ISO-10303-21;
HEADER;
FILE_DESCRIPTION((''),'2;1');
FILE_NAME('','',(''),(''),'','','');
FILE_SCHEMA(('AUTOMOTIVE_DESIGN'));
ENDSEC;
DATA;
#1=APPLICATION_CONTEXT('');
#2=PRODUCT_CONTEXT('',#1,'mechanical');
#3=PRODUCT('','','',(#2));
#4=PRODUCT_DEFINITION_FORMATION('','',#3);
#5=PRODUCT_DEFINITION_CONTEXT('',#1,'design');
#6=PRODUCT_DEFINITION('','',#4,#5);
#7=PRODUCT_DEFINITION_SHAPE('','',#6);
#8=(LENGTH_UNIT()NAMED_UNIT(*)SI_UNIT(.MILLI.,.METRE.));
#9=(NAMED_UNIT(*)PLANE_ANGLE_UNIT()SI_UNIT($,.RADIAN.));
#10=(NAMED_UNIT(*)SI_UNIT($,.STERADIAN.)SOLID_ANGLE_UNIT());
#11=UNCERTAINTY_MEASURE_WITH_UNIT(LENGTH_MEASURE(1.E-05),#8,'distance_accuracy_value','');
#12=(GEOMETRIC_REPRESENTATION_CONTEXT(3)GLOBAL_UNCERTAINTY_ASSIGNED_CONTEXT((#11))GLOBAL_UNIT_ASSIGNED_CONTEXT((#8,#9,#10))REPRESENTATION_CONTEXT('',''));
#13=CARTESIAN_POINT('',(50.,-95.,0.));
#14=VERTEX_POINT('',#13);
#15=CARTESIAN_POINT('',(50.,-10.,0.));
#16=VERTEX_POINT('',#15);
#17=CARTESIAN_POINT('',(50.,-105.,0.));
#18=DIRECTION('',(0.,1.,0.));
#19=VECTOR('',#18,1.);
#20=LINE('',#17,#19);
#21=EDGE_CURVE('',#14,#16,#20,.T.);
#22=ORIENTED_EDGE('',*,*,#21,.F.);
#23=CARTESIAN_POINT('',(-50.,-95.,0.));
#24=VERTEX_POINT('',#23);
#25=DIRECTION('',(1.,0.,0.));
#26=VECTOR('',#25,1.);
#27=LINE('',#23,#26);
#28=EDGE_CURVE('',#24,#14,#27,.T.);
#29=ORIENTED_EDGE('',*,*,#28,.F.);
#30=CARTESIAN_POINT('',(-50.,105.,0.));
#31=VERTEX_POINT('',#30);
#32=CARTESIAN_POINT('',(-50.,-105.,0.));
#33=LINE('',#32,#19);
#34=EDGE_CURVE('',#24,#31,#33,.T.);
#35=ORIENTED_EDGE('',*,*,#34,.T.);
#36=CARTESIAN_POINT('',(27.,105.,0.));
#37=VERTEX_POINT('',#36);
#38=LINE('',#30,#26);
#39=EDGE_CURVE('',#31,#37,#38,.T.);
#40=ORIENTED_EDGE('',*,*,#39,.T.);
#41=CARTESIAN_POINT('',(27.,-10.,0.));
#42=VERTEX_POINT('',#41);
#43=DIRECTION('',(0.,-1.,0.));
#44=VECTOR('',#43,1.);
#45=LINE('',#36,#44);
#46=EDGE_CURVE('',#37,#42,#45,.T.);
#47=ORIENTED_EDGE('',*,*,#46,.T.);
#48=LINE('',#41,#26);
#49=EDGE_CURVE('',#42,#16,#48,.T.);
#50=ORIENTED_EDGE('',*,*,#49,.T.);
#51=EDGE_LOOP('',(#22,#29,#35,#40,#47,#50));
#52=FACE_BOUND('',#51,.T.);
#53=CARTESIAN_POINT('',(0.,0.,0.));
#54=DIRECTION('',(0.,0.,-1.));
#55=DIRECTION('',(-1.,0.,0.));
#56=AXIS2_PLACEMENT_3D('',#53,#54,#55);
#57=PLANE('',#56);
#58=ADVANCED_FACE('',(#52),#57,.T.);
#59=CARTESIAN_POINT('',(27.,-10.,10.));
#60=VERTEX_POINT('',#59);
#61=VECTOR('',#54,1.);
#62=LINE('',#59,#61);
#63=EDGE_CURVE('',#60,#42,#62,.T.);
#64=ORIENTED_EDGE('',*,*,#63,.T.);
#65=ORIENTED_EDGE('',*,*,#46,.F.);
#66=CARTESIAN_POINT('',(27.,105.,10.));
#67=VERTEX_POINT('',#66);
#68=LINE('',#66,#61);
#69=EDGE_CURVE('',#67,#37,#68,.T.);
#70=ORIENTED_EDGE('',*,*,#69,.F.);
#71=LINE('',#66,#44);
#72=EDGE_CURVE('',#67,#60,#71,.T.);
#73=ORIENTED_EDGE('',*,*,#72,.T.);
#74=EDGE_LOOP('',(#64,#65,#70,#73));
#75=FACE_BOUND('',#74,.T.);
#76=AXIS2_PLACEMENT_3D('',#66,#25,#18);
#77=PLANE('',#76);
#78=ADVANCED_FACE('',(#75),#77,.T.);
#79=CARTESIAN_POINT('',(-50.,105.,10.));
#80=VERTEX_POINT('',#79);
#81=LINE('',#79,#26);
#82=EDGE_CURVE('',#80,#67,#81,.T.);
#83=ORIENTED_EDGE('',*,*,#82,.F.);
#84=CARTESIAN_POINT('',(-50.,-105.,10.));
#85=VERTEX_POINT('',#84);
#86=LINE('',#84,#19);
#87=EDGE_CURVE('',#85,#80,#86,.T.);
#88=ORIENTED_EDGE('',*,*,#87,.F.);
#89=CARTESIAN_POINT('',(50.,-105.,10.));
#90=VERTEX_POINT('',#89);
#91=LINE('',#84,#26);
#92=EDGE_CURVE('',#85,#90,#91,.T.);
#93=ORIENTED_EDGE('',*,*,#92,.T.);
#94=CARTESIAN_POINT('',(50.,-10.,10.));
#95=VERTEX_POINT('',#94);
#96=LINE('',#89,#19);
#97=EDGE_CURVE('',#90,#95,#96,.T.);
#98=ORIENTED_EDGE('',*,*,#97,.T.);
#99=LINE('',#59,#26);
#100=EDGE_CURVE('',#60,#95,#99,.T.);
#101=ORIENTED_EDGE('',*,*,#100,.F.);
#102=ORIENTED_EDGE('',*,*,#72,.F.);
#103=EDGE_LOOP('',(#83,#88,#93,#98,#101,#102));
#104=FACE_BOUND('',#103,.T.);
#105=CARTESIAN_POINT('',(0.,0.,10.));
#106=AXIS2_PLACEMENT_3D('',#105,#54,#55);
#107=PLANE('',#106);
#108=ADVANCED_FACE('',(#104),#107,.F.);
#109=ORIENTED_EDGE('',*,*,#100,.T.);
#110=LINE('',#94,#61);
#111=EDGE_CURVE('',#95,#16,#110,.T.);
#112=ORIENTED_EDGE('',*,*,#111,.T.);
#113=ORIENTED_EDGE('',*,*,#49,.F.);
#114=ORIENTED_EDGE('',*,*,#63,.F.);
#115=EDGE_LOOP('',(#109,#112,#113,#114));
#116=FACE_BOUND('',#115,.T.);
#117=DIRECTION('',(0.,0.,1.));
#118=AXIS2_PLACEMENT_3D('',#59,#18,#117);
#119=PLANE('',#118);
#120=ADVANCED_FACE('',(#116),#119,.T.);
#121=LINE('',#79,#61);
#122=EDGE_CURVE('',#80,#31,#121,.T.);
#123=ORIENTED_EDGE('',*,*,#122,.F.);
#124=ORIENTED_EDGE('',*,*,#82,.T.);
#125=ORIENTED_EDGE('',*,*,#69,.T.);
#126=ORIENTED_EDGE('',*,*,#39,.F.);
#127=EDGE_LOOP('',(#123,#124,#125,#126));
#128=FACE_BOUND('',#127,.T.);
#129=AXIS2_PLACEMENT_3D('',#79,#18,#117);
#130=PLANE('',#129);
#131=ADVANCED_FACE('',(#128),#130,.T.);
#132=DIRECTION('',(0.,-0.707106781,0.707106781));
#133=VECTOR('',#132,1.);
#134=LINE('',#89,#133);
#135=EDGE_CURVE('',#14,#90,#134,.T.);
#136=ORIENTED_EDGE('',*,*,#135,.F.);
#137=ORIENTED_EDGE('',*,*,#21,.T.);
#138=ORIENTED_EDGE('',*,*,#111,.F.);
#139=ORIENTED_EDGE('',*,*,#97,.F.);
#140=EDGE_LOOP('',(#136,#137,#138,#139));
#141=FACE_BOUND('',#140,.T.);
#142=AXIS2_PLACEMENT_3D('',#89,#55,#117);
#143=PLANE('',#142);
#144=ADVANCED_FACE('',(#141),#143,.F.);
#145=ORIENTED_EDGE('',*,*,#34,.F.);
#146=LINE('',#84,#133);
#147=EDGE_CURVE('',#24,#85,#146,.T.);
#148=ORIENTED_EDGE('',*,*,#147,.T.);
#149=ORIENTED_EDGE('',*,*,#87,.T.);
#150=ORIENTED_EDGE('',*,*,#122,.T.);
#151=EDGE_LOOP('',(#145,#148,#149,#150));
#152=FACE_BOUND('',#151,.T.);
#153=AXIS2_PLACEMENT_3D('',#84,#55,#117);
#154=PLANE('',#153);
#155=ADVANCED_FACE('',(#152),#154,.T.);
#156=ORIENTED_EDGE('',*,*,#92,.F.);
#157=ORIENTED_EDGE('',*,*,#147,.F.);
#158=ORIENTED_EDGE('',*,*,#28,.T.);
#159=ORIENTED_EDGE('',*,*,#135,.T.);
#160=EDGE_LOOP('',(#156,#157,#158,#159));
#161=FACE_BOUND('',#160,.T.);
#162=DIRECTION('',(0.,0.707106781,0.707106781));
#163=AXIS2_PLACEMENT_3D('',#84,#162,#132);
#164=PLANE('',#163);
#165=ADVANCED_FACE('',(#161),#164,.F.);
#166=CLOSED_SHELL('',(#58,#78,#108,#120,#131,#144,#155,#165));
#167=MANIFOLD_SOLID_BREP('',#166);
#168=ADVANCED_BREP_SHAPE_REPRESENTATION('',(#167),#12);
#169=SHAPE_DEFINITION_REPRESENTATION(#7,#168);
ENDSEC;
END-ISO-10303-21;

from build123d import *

# Parameters (mm, degrees)
BOSS_EXTRU_1_DEPTH      = 10
ENL_V_MAT_EXTRU_1_DEPTH = 100


with BuildPart() as part:
    # Esquisse1 → Boss.-Extru.1 (new body)
    with BuildSketch(Plane.XY):
        Polygon((-50, -105), (50, -105), (50, -10), (27, -10), (27, 105), (-50, 105), align=None)
    extrude(amount=BOSS_EXTRU_1_DEPTH)

    # Esquisse7 → Enlèv. mat.-Extru.1 (cut)
    with BuildSketch(Plane(origin=(50, 0, 0), x_dir=(0, 0, -1), z_dir=(1, 0, 0))):
        Polygon((-10, -105), (0, -105), (0, -95), align=None)
    extrude(amount=-ENL_V_MAT_EXTRU_1_DEPTH, mode=Mode.SUBTRACT)


solid = part.part
